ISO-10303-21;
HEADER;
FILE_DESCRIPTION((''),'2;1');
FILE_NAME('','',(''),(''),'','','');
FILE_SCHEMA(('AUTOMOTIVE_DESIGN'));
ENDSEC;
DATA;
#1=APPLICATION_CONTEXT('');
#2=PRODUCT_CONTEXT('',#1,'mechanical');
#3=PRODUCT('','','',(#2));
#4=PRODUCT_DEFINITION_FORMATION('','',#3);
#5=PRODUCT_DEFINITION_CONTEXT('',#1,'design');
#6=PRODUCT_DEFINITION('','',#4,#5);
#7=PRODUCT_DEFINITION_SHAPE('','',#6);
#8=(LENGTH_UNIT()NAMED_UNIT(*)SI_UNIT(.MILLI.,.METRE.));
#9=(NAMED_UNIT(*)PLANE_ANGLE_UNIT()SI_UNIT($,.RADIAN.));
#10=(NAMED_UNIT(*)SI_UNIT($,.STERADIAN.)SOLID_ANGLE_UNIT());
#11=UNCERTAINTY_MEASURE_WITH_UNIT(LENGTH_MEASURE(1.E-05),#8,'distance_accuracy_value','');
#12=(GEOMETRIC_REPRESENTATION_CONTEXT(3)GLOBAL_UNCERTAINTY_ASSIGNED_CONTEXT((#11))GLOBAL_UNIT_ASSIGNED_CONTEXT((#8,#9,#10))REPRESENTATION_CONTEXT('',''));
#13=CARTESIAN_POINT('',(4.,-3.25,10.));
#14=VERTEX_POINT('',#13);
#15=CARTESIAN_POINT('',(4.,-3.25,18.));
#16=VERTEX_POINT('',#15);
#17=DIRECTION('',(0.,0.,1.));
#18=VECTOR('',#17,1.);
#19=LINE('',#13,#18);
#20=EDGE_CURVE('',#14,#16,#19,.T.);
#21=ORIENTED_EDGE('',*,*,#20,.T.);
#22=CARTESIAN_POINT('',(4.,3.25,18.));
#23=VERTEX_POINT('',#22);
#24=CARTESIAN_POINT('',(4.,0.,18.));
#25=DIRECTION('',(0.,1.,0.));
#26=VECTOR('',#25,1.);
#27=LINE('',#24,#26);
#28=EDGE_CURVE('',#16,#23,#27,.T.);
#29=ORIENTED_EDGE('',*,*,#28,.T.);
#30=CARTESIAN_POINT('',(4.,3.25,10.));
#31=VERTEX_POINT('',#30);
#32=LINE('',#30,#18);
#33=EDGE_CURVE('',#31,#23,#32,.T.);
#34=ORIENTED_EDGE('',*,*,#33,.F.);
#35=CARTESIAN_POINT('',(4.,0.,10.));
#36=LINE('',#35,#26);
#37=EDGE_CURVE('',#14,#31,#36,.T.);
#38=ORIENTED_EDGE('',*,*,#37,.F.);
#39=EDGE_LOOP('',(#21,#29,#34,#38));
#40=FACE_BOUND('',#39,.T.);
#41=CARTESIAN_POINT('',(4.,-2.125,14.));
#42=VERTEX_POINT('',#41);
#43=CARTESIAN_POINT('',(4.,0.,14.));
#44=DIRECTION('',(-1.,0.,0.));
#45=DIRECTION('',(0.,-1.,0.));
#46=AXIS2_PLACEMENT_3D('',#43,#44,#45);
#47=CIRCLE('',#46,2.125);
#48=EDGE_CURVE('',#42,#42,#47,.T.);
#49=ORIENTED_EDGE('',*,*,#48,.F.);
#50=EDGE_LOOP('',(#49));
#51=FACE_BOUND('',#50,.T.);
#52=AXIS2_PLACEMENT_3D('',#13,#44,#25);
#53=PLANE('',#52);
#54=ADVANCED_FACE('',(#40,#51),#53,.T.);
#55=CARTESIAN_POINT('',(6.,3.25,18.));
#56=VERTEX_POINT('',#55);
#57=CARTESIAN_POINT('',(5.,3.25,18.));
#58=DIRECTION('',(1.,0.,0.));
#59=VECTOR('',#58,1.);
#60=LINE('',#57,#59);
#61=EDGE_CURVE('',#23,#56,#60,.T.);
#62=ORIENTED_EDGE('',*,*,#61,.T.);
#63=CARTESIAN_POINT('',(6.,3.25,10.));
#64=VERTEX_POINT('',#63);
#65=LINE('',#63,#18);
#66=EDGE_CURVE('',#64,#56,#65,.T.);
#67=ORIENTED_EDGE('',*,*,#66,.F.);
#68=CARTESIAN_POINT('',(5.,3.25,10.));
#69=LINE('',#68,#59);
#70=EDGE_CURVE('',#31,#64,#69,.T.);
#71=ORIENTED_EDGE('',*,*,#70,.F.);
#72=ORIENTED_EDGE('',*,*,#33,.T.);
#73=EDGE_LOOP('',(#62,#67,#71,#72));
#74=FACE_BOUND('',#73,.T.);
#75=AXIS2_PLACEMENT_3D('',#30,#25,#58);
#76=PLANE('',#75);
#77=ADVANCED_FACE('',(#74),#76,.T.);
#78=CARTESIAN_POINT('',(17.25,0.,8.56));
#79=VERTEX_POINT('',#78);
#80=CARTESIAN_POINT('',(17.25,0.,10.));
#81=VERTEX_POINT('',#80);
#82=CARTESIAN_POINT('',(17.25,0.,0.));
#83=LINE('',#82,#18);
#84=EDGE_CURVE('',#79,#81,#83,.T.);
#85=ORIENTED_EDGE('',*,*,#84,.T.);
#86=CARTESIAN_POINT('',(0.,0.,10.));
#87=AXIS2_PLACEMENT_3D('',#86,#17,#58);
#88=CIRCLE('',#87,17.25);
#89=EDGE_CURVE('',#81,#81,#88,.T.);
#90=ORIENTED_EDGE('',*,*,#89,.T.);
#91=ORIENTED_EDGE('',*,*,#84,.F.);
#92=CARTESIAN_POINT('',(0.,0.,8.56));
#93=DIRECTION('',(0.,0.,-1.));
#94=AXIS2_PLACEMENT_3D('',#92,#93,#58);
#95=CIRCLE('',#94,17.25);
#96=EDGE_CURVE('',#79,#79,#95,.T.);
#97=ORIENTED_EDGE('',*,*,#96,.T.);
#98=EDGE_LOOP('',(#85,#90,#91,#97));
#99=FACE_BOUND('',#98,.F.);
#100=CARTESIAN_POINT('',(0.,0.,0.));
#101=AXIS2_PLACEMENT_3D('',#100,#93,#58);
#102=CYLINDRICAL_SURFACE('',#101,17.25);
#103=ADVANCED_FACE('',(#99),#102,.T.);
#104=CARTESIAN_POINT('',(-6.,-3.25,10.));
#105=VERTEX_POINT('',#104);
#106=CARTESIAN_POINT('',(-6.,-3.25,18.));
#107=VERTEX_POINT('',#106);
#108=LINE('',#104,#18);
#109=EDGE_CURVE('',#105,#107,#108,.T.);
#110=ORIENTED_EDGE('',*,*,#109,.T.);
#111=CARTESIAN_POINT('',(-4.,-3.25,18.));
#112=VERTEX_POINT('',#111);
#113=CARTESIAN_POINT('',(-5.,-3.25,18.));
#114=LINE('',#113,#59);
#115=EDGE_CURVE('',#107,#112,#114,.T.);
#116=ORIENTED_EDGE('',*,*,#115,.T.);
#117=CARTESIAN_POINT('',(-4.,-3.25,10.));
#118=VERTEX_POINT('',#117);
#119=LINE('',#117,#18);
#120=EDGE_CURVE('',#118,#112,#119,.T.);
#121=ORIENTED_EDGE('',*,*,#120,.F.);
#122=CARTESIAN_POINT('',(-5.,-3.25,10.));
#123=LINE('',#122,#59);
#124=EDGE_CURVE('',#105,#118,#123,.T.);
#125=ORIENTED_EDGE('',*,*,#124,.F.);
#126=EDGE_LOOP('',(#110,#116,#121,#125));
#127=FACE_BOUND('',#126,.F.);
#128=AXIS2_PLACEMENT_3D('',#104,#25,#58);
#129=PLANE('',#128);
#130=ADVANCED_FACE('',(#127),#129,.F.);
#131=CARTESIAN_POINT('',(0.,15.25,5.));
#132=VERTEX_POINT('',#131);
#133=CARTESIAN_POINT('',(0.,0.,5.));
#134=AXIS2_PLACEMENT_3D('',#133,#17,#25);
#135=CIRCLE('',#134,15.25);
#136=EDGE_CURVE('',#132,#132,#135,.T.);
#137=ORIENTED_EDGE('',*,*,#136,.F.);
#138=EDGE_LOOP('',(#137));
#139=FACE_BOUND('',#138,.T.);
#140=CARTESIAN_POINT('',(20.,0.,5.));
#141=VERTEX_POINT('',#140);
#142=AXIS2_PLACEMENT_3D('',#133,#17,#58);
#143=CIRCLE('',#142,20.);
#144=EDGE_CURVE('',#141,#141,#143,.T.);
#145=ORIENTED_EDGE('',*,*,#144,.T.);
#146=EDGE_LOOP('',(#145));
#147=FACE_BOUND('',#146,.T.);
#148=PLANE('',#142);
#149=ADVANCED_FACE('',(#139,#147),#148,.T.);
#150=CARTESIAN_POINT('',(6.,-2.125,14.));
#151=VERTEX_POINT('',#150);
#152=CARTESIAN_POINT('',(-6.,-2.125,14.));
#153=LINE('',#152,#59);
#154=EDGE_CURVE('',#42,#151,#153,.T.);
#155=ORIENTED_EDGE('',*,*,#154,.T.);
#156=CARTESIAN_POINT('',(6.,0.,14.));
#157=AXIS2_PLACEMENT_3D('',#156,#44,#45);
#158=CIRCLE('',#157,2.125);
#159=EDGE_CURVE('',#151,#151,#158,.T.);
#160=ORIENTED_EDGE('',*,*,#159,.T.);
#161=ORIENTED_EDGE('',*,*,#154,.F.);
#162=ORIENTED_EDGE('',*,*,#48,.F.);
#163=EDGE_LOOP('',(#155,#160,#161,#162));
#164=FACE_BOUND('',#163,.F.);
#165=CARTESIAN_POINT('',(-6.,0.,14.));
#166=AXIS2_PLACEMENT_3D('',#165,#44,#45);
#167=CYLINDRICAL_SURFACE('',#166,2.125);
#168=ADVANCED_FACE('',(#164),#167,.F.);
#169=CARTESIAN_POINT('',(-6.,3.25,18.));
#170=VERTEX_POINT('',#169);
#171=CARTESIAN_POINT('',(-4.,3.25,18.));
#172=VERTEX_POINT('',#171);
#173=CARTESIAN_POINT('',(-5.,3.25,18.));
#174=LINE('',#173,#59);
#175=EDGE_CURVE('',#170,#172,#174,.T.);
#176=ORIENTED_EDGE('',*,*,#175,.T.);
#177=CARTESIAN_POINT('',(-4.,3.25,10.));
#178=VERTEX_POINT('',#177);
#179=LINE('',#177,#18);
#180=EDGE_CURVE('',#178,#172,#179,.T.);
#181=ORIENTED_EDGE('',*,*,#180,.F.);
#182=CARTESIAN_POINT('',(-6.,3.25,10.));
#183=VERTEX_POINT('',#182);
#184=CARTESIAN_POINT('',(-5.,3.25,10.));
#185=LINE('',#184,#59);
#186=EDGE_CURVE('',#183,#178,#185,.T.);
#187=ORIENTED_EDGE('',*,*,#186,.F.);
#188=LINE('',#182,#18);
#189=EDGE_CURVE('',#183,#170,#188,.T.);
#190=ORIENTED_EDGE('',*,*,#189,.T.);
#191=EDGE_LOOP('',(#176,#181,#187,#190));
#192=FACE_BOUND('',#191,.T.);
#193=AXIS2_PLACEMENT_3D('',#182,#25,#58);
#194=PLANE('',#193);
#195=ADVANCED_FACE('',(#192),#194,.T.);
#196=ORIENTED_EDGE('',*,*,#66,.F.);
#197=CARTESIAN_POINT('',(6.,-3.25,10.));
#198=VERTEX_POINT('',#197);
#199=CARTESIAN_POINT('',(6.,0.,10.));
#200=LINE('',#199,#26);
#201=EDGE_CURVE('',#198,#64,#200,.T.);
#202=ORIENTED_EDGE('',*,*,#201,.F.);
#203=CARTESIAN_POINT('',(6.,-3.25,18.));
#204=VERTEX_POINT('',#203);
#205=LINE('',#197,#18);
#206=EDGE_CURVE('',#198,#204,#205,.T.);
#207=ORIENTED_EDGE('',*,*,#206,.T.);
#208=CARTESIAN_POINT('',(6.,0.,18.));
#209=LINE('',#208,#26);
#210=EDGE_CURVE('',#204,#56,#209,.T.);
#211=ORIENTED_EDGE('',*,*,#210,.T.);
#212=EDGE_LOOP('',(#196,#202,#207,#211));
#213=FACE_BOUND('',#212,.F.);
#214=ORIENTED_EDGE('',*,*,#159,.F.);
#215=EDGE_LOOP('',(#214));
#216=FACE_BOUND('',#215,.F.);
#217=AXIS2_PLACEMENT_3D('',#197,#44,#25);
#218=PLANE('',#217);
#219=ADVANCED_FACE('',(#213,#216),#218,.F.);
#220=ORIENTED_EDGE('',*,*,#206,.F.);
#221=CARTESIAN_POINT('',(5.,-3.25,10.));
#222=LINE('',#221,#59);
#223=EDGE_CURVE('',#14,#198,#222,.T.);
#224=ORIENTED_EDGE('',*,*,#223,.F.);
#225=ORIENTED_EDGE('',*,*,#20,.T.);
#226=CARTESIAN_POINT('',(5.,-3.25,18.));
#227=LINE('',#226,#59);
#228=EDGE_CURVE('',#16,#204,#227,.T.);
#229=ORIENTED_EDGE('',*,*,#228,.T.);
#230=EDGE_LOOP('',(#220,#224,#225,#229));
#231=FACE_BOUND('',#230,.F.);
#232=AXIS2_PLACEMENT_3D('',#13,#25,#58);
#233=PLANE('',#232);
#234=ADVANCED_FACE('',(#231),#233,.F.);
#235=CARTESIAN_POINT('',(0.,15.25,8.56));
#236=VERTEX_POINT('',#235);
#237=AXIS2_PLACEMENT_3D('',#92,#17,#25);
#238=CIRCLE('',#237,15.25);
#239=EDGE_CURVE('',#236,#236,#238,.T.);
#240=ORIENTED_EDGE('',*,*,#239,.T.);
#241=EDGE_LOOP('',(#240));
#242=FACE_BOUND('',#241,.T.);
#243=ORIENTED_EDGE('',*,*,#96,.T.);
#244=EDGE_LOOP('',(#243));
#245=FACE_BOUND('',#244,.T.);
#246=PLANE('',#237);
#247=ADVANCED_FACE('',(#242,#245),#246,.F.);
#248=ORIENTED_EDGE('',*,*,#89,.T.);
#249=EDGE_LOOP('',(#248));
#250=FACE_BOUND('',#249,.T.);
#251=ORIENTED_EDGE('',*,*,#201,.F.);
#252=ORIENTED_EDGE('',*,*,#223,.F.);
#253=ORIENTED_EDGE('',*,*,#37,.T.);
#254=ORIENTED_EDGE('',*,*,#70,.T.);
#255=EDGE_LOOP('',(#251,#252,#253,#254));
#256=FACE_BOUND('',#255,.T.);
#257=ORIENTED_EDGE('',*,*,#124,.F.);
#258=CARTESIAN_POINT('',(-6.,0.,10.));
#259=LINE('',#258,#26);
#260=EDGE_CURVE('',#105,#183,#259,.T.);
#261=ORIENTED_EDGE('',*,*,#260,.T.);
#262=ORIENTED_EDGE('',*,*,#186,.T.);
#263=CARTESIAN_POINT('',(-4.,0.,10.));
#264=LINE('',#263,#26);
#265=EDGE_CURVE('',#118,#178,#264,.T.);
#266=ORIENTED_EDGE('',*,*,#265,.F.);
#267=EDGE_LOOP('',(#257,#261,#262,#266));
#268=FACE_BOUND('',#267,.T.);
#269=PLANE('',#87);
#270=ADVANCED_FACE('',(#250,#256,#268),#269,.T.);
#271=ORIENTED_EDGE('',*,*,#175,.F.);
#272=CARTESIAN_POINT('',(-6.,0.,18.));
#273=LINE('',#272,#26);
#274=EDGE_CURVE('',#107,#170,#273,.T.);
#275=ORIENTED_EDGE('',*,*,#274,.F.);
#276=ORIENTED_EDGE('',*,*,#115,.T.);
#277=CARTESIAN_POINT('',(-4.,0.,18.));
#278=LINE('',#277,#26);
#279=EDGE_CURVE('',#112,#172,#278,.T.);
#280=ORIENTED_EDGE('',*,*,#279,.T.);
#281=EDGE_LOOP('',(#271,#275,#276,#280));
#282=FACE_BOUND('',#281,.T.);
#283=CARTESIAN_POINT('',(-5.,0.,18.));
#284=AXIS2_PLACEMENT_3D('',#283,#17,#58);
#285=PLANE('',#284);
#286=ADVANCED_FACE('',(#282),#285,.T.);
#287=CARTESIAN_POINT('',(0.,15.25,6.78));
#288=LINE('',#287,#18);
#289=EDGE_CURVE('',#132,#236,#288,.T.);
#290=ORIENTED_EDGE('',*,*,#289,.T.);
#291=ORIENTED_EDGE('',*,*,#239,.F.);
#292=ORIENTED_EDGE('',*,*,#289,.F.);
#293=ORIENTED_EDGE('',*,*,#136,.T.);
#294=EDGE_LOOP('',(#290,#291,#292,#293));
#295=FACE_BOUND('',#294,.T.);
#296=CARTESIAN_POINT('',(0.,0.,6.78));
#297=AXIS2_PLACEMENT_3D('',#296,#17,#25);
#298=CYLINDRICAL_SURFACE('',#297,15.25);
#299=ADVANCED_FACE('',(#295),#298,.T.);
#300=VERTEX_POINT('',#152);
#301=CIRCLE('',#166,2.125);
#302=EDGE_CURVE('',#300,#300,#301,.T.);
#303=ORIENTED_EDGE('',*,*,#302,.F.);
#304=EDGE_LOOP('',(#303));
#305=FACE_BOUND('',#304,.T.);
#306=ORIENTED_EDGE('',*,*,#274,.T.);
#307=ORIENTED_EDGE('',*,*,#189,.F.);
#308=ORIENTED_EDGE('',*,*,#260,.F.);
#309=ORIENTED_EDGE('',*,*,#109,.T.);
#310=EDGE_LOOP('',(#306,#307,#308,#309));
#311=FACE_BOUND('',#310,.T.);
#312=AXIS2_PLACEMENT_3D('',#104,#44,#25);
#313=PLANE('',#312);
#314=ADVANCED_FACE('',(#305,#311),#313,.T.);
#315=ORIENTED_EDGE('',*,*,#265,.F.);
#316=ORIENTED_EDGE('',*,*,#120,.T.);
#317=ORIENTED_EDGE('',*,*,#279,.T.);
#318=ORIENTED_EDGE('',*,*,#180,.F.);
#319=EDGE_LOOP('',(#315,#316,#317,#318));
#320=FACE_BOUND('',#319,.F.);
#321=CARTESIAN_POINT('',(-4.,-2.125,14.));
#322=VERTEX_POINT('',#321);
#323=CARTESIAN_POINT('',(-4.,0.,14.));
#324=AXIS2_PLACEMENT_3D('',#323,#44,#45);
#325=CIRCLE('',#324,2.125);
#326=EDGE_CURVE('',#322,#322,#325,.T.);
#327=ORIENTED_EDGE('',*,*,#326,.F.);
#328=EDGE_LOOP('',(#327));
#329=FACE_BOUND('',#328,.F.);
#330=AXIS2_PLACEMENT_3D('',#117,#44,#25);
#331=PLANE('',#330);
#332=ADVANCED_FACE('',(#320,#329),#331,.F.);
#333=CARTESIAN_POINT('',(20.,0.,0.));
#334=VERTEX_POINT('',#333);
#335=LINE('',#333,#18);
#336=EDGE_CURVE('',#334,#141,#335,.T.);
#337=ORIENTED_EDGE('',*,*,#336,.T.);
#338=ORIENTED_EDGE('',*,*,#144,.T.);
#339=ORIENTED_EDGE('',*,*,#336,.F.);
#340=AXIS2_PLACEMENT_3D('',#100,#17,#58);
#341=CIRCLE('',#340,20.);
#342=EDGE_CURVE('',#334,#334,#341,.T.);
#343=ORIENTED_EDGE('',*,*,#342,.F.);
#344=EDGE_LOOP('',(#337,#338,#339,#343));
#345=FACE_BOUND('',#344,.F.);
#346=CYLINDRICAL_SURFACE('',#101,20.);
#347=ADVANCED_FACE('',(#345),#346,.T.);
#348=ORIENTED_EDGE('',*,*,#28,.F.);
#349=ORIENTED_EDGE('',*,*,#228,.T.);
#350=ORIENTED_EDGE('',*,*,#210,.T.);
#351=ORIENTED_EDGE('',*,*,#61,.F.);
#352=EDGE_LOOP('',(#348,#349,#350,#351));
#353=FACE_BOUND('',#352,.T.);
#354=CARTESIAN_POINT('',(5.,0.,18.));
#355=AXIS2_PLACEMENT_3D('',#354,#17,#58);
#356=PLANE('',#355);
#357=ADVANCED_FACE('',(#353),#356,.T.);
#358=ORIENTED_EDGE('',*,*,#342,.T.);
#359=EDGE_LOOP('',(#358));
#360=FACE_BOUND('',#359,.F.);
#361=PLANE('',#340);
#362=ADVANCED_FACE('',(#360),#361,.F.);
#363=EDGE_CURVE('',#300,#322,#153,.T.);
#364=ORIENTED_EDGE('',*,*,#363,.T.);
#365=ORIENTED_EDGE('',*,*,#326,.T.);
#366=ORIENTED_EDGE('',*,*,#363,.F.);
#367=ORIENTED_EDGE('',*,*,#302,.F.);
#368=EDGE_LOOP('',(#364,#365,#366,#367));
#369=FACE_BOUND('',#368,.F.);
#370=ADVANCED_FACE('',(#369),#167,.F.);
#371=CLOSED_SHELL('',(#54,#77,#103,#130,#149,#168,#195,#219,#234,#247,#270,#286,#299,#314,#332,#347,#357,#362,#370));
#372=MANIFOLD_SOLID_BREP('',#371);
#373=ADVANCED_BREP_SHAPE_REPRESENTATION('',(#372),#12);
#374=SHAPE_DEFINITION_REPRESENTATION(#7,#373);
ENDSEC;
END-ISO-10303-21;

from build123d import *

# Parameters (mm, degrees)
F0_R      = 20
F1_DEPTH  = 5
F2_R      = 17.25
F3_DEPTH  = 10
F4_W      = 2
F4_H      = 3.56
F7_W      = 2
F7_H      = 6.5
F8_DEPTH  = 8
F9_R      = 2.125
F10_DEPTH = 26.001


with BuildPart() as f1:
    # F0 (on Top) → F1 (new body)
    with BuildSketch(Plane.XY):
        Circle(F0_R)
    extrude(amount=F1_DEPTH)

    # F2 (on Top) → F3 (join)
    with BuildSketch(Plane.XY):
        Circle(F2_R)
    extrude(amount=F3_DEPTH)

    # F4 (on Right) → F6 (revolve, cut)
    with BuildSketch(Plane.YZ):
        with Locations((16.25, 6.78)):
            Rectangle(F4_W, F4_H)
    revolve(axis=Axis((0, 0, 6.819869), (0, 0, 1)), mode=Mode.SUBTRACT)

    # F7 (on face) → F8 (join)
    with BuildSketch(Plane.XY.offset(10)):
        with Locations((5, 0)):
            Rectangle(F7_W, F7_H)
        with Locations((-5, 0)):
            Rectangle(F7_W, F7_H)
    extrude(amount=F8_DEPTH)

    # F9 (on face) → F10 (cut, through all)
    with BuildSketch(Plane(origin=(-6, 0, 0), x_dir=(0, -1, 0), z_dir=(-1, 0, 0))):
        with Locations((0, 14)):
            Circle(F9_R)
    extrude(amount=-F10_DEPTH, mode=Mode.SUBTRACT)


solid = f1.part
